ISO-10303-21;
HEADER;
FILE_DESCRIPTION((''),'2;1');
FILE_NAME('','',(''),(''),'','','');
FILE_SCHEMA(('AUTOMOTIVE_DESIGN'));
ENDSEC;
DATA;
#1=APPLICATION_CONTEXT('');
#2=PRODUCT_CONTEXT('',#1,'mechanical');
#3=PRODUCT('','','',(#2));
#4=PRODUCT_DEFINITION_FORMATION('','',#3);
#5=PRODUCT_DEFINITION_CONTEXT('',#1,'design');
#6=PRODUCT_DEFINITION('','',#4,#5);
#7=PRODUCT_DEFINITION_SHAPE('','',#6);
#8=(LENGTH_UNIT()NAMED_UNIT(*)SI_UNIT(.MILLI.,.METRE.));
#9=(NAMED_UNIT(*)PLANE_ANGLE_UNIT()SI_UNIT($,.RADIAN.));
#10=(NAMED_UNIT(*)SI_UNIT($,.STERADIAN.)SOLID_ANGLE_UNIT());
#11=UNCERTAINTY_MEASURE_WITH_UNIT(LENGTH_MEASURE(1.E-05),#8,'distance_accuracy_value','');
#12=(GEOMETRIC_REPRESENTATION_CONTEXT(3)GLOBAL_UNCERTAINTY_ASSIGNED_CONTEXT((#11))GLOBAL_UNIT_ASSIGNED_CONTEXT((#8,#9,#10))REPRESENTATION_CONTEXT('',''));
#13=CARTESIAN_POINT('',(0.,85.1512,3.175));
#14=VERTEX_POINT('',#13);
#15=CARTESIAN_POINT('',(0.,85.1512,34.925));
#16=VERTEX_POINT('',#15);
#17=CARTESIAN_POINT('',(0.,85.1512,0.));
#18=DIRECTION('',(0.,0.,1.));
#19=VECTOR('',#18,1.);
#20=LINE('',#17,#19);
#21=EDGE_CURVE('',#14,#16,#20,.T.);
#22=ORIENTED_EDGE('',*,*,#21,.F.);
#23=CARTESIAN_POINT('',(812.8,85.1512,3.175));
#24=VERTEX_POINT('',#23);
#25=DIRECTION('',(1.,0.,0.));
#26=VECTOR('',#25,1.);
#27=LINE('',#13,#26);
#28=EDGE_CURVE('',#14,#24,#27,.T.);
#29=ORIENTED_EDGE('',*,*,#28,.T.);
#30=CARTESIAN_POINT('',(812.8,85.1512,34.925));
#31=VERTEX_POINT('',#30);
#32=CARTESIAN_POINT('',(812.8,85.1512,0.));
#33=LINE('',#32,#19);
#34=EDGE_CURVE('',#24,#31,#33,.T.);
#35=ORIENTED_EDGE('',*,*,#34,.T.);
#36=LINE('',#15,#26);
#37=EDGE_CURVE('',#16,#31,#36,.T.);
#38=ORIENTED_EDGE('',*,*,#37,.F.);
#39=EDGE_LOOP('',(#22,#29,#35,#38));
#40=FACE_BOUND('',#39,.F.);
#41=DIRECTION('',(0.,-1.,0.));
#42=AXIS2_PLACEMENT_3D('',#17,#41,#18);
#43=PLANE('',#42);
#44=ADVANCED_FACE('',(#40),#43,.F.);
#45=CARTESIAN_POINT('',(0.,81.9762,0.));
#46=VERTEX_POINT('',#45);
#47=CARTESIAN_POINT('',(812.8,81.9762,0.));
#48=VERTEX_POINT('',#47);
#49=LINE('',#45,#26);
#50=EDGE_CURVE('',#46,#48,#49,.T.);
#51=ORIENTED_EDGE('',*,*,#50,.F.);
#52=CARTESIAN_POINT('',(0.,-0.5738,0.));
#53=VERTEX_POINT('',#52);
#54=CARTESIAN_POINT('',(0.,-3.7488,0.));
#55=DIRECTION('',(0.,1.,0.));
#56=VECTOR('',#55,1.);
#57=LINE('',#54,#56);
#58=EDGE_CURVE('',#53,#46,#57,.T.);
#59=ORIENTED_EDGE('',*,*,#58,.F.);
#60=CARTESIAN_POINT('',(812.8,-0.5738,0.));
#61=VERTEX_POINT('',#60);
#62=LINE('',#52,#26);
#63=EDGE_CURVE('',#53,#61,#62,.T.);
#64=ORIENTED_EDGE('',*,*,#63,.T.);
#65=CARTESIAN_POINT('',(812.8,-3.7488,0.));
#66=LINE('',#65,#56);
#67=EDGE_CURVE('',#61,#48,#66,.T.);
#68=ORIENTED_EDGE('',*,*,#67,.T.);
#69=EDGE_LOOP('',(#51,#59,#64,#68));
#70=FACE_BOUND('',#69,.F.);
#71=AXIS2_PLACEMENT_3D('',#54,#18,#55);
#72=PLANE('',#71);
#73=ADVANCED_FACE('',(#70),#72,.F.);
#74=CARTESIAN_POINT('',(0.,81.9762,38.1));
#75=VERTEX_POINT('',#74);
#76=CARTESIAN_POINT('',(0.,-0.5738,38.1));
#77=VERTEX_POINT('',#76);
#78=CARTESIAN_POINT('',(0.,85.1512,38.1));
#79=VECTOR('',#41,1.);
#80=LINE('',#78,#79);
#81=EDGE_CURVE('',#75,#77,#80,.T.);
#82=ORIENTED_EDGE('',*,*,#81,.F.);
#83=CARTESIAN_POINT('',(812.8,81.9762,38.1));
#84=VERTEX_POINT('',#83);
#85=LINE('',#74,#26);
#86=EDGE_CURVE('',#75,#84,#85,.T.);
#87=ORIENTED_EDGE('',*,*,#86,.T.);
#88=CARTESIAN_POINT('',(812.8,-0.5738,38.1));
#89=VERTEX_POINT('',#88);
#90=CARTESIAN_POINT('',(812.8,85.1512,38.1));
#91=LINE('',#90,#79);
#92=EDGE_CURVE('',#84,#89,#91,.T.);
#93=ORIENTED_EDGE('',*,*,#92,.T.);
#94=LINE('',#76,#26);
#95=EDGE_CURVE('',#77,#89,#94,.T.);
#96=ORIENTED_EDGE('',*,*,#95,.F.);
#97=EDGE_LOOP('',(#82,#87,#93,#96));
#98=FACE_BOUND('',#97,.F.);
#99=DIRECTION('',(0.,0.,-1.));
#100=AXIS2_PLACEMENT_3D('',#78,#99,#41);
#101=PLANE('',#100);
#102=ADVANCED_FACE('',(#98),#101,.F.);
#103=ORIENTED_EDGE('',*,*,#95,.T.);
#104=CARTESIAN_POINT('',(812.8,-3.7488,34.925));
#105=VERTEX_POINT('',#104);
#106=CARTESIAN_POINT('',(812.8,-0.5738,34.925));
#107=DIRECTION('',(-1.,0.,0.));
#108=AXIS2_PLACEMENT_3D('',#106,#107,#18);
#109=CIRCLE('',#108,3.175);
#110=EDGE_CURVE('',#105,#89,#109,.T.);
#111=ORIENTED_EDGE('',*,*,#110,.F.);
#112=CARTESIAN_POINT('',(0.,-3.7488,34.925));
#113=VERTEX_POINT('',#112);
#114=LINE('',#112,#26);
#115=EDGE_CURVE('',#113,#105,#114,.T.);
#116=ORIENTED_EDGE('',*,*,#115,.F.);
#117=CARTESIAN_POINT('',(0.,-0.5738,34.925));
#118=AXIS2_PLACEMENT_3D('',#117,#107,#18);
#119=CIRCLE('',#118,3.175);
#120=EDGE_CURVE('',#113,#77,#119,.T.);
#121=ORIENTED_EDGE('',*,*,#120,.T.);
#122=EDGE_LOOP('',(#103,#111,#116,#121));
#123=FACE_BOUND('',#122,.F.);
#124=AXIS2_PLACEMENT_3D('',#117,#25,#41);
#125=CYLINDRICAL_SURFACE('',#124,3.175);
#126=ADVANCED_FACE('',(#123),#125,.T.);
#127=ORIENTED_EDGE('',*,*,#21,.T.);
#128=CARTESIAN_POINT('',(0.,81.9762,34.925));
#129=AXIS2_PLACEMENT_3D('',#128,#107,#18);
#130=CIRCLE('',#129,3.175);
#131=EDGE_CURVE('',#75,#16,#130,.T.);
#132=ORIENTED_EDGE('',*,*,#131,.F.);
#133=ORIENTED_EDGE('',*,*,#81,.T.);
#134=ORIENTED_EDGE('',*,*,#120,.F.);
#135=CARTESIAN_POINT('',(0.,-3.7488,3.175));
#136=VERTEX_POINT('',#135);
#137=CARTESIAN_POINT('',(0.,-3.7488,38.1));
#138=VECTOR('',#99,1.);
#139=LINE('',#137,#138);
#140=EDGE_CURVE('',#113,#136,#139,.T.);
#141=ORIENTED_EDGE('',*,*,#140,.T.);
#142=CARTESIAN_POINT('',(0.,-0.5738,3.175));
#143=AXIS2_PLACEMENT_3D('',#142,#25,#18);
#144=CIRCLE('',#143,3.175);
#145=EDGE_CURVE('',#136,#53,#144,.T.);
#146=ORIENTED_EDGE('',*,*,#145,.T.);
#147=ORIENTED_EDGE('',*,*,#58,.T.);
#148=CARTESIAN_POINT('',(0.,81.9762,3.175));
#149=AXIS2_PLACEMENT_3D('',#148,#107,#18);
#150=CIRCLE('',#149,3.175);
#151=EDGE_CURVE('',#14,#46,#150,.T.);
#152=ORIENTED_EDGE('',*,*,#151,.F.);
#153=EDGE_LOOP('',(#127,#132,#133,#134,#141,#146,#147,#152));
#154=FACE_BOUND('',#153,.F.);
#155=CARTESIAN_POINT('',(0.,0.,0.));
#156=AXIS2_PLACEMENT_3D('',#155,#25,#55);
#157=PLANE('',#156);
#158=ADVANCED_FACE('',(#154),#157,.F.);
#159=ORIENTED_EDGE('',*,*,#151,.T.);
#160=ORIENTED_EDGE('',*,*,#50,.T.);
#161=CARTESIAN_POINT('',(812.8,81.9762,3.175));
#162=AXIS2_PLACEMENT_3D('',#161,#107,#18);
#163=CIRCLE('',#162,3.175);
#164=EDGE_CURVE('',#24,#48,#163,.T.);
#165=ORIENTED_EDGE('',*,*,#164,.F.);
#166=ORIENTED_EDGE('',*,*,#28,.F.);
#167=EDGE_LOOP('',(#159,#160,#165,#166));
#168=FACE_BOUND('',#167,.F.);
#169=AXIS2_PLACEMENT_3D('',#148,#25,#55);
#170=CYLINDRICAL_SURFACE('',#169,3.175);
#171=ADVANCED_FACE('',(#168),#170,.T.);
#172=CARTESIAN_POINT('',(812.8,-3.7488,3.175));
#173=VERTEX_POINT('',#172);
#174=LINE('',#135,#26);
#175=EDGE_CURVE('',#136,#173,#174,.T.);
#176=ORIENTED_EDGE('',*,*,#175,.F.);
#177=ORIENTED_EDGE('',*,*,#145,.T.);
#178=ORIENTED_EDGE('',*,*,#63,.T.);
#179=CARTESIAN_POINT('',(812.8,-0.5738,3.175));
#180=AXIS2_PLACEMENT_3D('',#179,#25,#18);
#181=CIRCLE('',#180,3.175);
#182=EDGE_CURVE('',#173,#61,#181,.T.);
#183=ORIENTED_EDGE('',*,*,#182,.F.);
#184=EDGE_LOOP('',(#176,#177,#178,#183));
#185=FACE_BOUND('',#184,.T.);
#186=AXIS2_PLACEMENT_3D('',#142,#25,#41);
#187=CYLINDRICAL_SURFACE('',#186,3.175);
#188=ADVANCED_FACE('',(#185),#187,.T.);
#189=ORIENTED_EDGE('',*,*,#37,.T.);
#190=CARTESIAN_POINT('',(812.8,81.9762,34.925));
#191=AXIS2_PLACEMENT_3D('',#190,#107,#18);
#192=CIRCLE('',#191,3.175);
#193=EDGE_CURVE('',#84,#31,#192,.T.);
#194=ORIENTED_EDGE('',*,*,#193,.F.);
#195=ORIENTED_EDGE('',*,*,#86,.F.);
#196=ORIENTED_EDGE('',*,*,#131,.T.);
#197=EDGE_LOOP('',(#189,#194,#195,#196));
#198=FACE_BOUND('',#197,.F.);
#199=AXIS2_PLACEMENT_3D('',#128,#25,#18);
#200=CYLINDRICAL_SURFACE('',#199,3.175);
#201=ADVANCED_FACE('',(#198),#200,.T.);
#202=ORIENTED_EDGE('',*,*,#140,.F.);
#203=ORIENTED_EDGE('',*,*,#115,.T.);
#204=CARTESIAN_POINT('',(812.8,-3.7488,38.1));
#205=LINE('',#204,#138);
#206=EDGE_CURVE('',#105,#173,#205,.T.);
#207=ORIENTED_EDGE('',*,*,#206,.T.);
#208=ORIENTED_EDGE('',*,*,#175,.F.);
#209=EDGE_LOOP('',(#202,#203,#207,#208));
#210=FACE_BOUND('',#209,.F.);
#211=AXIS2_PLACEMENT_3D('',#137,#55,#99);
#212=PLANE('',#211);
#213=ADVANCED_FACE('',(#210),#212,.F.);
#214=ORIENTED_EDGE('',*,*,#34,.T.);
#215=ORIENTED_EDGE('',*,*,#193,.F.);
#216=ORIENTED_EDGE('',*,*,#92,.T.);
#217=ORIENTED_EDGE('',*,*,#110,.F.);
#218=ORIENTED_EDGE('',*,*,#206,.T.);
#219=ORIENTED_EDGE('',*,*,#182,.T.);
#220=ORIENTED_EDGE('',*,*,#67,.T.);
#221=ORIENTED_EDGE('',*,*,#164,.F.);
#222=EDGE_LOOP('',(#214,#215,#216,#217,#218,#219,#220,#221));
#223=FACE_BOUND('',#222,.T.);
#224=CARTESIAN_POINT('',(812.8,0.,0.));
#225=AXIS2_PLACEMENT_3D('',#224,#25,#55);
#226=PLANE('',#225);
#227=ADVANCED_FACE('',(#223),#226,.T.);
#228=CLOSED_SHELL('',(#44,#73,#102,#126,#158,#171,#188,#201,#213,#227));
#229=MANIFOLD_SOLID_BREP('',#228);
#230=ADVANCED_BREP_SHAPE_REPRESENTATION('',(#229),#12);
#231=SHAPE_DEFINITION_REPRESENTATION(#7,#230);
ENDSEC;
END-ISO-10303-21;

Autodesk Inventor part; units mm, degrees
ref_plane "YZ Plane" through (0, 0, 0) normal (1, 0, 0) x (0, 1, 0)
ref_plane "XZ Plane" through (0, 0, 0) normal (0, 1, 0) x (-1, 0, 0)
ref_plane "XY Plane" through (0, 0, 0) normal (0, 0, 1) x (1, 0, 0)
sketch "Sketch1" plane through (0, 0, 0) normal (1, 0, 0) x (0, 1, 0)
  line L0 (-3.7488, 0) -> (85.1512, 0)
  line L1 (85.1512, 0) -> (85.1512, 38.1)
  line L2 (85.1512, 38.1) -> (-3.7488, 38.1)
  line L3 (-3.7488, 38.1) -> (-3.7488, 0)
  point P0 (0, 0)
  dimension "d0" = 88.9
  dimension "d1" = 38.1
extrude "Extrusion1" add sketch "Sketch1" along normal blind 812.8
fillet "Fillet1" radius 3.175 4 edges at (406.4, 85.1512, 38.1) (406.4, 85.1512, 0) (406.4, -3.7488, 0) (406.4, -3.7488, 38.1)
properties part number "2x4x32" material "Ash"
